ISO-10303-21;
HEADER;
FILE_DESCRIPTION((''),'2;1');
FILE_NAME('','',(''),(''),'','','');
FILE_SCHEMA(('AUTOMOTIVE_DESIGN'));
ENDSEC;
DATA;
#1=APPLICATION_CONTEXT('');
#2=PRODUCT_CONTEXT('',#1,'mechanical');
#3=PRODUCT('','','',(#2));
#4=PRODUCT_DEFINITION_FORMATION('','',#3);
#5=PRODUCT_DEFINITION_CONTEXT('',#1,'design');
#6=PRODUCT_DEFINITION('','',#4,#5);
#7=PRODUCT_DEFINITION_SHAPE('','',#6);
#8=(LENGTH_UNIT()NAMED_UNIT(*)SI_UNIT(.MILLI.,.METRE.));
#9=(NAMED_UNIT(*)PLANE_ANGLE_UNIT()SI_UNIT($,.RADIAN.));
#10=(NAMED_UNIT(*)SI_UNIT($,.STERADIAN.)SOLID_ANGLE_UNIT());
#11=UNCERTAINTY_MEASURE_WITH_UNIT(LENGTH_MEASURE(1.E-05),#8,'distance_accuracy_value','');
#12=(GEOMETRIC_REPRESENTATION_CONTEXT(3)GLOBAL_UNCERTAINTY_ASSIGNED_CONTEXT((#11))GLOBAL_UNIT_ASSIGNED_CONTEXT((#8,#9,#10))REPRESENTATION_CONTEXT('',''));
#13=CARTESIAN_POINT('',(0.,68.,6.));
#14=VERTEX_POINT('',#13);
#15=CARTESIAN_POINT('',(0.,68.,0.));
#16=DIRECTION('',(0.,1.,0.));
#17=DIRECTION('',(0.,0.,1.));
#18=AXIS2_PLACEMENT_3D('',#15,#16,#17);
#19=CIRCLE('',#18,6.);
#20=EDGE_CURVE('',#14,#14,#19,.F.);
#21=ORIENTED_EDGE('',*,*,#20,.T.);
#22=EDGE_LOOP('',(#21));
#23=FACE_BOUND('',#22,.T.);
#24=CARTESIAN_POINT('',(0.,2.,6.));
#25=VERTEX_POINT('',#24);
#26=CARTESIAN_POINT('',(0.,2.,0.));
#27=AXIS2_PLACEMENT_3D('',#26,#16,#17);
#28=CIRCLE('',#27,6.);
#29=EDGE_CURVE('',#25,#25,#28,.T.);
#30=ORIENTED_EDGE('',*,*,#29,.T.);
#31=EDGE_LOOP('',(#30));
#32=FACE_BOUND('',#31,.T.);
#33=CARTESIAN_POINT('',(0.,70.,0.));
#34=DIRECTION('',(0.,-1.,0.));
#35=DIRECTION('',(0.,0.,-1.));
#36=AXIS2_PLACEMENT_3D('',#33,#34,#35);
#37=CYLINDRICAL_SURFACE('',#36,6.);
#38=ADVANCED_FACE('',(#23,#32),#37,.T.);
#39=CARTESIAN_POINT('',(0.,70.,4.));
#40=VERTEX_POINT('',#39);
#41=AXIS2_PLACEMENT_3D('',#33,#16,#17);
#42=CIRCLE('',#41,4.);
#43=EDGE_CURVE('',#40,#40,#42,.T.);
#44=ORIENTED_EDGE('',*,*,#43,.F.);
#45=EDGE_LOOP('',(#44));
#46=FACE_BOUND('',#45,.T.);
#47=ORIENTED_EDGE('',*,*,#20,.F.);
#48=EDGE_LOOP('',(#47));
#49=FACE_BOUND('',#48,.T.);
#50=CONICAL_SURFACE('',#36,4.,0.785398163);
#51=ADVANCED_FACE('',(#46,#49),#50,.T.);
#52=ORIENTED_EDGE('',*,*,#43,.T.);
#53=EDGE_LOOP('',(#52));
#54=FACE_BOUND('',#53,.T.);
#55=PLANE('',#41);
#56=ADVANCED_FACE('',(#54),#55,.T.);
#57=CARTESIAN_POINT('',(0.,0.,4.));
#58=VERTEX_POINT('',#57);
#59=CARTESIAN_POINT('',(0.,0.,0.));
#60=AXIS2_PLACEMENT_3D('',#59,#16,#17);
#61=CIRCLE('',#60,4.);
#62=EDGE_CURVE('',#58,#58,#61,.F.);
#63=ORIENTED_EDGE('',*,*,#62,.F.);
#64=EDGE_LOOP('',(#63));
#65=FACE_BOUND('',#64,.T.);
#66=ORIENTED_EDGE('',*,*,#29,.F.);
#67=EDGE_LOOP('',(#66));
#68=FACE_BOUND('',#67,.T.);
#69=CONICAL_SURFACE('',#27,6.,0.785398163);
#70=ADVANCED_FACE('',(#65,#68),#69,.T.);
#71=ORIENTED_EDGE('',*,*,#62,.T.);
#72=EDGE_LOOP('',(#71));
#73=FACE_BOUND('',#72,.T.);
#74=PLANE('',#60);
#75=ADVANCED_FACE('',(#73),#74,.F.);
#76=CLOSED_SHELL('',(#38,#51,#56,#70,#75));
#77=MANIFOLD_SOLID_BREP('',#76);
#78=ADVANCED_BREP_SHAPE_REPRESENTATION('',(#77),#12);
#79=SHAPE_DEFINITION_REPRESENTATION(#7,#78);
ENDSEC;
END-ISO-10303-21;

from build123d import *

# Parameters (mm, degrees)
SKETCH1_R           = 6
BOSS_EXTRUDE1_DEPTH = 70
CHAMFER1_SIZE       = 2


with BuildPart() as part:
    # Sketch1 → Boss-Extrude1 (new body)
    with BuildSketch(Plane(origin=(0, 0, 0), x_dir=(1, 0, 0), z_dir=(0, 1, 0))):
        Circle(SKETCH1_R)
    extrude(amount=BOSS_EXTRUDE1_DEPTH)

    # Chamfer1
    chamfer1_edges = [part.edges().sort_by_distance(p)[0] for p in [
        (-6, 0, 0),
        (-6, 70, 0),
    ]]
    chamfer(chamfer1_edges, length=CHAMFER1_SIZE)


solid = part.part
